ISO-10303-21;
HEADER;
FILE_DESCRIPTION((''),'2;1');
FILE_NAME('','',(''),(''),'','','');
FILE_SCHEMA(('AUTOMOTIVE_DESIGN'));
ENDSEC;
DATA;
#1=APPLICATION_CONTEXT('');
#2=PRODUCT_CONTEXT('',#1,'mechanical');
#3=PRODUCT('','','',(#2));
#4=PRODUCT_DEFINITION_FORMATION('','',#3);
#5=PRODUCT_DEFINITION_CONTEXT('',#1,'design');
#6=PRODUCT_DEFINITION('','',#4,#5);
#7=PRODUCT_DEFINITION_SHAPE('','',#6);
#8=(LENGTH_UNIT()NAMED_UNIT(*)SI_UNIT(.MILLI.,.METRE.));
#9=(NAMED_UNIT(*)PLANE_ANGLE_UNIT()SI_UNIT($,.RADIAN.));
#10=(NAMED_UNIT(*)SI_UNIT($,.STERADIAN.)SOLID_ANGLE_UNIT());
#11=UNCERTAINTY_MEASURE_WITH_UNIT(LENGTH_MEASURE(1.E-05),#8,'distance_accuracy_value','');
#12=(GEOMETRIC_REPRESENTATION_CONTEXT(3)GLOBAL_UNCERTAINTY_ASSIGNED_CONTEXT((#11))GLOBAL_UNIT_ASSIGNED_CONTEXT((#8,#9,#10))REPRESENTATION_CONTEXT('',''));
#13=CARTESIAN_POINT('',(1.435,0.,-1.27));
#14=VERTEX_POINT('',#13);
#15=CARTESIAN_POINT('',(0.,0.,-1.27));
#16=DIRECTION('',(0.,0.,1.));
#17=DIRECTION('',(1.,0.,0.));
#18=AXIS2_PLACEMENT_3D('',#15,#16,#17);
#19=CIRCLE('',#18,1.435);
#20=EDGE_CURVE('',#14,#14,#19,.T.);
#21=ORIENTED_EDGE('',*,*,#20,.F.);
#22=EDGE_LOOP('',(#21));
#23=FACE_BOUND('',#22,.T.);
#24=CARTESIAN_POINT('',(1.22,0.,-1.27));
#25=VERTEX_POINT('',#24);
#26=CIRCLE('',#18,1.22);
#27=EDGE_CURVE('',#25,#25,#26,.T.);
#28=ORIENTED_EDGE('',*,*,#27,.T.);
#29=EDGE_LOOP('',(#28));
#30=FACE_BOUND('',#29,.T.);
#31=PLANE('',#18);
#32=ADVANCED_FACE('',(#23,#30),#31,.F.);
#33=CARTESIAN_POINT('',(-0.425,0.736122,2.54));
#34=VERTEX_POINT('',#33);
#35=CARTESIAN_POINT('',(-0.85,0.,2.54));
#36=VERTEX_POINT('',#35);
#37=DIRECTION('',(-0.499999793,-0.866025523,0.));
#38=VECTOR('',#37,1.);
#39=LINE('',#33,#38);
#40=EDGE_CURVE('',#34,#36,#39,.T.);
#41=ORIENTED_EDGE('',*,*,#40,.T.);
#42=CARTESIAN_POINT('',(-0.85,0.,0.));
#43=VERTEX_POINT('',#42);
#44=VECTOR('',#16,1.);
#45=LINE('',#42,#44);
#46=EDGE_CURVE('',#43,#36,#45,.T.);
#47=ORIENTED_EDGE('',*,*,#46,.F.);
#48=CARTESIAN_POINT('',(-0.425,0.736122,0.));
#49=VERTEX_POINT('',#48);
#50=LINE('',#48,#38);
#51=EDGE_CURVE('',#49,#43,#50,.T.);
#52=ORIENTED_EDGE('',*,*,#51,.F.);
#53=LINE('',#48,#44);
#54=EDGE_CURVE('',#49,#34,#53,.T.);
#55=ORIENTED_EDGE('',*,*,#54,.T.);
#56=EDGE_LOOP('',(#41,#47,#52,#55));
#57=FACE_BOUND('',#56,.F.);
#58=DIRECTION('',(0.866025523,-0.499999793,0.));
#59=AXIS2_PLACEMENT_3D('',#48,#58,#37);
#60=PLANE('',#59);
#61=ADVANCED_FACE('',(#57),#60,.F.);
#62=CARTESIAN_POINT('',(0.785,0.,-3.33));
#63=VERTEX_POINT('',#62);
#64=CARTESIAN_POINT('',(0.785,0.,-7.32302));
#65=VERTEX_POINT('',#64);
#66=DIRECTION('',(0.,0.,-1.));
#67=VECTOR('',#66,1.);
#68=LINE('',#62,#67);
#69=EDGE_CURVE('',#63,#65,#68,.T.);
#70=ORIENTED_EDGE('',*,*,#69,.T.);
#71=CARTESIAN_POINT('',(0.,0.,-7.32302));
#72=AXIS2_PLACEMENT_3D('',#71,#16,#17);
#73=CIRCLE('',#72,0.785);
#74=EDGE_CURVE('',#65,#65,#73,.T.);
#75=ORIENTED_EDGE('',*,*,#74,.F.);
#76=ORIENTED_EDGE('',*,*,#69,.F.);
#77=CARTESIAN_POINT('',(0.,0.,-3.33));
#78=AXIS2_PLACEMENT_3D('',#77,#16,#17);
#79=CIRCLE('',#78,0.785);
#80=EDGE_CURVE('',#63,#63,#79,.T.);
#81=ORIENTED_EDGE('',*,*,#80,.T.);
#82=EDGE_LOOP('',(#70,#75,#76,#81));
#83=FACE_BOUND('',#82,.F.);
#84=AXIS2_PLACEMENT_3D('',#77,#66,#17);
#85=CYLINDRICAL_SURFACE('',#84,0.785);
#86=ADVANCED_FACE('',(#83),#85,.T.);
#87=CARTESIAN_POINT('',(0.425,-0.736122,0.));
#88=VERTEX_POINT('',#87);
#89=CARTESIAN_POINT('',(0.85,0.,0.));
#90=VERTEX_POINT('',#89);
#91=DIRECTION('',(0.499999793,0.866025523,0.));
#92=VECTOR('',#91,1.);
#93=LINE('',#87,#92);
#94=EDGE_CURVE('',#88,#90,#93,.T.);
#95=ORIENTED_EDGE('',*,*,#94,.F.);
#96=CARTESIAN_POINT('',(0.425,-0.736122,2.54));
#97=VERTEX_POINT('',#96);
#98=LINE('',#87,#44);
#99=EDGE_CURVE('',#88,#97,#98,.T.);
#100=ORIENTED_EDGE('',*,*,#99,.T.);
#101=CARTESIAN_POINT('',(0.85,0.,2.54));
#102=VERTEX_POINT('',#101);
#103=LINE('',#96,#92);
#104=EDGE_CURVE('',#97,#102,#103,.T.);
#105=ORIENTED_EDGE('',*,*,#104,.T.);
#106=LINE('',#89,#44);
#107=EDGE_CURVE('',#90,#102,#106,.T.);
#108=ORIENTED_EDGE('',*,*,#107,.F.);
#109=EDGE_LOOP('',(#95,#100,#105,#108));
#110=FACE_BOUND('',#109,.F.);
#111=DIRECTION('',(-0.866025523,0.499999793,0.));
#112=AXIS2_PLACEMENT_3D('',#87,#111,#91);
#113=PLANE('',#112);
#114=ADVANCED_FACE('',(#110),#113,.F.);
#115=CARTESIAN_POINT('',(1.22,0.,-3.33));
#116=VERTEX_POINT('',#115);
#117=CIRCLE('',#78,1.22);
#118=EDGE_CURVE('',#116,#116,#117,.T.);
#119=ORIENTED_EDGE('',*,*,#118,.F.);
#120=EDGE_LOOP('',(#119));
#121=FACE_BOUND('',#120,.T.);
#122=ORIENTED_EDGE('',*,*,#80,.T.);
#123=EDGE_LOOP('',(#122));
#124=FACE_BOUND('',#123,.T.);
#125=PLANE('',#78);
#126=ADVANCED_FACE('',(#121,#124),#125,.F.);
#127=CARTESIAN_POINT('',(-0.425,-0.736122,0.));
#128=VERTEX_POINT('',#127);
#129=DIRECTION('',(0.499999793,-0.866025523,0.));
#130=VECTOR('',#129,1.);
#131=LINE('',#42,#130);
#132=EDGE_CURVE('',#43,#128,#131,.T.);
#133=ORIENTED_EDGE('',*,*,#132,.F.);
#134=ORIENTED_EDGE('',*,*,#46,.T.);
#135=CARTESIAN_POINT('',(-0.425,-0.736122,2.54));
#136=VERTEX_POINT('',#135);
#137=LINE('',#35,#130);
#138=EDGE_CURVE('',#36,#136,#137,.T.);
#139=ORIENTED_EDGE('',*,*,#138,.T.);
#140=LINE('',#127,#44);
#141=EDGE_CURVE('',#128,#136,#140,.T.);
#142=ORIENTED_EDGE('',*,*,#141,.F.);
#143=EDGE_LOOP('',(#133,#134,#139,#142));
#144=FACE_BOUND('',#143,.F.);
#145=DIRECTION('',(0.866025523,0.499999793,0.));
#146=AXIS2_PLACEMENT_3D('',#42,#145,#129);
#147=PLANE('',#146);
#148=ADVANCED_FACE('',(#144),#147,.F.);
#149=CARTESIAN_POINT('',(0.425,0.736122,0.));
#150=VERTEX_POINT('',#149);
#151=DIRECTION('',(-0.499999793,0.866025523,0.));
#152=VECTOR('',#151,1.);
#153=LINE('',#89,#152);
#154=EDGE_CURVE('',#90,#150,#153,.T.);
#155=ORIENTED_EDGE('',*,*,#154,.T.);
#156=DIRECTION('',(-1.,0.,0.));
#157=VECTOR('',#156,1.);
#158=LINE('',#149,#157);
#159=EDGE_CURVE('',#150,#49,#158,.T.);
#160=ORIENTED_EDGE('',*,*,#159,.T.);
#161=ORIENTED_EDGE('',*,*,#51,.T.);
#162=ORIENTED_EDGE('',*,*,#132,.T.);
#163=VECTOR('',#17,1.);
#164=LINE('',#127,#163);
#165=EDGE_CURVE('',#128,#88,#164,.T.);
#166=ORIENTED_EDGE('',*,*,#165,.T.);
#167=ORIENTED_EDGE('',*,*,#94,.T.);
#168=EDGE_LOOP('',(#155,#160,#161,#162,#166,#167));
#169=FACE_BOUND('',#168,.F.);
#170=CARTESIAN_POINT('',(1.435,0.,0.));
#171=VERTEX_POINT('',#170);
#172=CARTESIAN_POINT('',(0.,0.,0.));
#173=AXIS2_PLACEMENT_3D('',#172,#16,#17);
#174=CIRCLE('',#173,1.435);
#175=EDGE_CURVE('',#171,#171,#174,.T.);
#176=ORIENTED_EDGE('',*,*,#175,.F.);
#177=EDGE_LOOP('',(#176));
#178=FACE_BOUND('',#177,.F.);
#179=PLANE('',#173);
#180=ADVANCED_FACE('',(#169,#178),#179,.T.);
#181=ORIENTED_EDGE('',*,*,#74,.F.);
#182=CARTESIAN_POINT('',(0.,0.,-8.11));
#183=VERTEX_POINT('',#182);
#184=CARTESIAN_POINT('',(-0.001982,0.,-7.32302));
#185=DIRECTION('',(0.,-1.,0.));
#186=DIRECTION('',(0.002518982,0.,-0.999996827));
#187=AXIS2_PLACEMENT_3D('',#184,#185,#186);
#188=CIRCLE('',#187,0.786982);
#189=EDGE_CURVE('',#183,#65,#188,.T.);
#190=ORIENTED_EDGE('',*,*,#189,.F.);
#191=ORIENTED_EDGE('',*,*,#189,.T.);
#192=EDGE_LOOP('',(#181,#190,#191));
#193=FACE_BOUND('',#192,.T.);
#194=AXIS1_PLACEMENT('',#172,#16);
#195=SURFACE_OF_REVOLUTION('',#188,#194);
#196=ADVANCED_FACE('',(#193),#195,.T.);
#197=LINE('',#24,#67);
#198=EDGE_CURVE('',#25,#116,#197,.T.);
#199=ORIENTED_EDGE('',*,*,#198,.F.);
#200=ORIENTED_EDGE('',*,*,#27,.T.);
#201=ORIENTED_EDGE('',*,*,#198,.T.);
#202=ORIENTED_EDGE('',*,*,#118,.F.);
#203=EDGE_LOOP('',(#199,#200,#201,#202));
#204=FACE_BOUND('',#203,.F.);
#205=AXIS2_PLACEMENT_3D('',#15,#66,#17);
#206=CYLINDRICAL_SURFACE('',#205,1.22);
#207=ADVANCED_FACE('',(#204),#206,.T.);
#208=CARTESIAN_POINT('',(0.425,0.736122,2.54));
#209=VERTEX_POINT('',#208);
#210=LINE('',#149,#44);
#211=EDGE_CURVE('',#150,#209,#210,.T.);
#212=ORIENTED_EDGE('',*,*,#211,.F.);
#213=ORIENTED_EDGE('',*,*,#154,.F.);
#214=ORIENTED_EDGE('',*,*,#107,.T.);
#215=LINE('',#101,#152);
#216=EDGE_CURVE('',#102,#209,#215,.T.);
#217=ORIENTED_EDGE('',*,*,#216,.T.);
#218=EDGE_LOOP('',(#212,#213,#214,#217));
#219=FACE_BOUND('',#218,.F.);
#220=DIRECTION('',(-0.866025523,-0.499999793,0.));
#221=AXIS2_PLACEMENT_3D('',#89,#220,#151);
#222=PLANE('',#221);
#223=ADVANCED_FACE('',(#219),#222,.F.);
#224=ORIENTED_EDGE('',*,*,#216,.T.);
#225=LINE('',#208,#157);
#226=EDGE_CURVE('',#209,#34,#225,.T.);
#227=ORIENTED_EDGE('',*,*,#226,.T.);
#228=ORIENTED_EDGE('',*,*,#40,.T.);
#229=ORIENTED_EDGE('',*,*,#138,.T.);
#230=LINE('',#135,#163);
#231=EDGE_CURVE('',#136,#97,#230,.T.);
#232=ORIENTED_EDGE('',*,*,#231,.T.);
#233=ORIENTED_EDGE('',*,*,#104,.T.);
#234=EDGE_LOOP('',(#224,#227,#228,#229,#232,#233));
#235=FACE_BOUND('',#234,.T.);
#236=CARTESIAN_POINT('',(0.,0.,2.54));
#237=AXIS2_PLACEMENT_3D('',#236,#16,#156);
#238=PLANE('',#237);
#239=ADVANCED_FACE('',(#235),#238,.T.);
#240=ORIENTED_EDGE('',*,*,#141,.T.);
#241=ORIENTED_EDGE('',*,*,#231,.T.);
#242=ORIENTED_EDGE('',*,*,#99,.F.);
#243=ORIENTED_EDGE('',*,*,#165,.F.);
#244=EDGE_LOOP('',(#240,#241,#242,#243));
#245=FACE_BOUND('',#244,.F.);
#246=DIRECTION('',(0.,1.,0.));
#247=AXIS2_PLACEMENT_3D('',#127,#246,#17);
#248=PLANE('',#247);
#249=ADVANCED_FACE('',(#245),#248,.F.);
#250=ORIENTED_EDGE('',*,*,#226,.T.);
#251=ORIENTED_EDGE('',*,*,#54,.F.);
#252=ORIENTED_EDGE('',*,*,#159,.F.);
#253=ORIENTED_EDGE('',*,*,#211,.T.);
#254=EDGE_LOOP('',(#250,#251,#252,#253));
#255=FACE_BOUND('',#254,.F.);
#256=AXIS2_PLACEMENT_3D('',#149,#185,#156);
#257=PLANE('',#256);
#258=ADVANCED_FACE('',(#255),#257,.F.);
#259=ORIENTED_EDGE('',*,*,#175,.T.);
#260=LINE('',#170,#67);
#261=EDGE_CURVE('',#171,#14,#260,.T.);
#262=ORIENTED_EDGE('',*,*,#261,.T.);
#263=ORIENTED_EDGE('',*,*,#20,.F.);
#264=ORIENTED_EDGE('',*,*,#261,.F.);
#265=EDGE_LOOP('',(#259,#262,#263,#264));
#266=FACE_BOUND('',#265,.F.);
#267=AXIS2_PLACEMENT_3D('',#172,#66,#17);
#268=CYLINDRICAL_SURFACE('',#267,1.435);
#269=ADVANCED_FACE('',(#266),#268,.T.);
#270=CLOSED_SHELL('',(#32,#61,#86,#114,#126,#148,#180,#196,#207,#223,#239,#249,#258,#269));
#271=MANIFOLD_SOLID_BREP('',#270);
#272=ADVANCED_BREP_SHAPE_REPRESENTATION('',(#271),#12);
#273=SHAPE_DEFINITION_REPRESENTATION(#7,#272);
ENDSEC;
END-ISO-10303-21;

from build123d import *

# Parameters (mm, degrees)
PAD_DEPTH = 2.54


with BuildPart() as part:
    # Sketch → Revolution (revolve)
    with BuildSketch(Plane.XZ):
        with BuildLine():
            Line((0, 0), (1.435, 0))
            Line((1.435, 0), (1.435, -1.27))
            Line((1.22, -1.27), (1.435, -1.27))
            Line((1.22, -1.27), (1.22, -3.33))
            Line((0.785, -3.33), (1.22, -3.33))
            Line((0.785, -3.33), (0.785, -7.32302))
            ThreePointArc((0, -8.11), (0.555199, -7.878799), (0.785, -7.32302))
            Line((0, 0), (0, -8.11))
        make_face()
    revolve(axis=Axis((0, 0, 0), (0, 0, 1)))

    # Sketch001 (on Face1 of Revolution) → Pad (new body)
    with BuildSketch(Plane(origin=(0, 0, 0), x_dir=(-1, 0, 0), z_dir=(0, 0, 1))):
        Polygon((0.425, 0.736122), (-0.425, 0.736122), (-0.85, 0), (-0.425, -0.736122), (0.425, -0.736122), (0.85, 0), align=None)
    extrude(amount=PAD_DEPTH)


solid = part.part
